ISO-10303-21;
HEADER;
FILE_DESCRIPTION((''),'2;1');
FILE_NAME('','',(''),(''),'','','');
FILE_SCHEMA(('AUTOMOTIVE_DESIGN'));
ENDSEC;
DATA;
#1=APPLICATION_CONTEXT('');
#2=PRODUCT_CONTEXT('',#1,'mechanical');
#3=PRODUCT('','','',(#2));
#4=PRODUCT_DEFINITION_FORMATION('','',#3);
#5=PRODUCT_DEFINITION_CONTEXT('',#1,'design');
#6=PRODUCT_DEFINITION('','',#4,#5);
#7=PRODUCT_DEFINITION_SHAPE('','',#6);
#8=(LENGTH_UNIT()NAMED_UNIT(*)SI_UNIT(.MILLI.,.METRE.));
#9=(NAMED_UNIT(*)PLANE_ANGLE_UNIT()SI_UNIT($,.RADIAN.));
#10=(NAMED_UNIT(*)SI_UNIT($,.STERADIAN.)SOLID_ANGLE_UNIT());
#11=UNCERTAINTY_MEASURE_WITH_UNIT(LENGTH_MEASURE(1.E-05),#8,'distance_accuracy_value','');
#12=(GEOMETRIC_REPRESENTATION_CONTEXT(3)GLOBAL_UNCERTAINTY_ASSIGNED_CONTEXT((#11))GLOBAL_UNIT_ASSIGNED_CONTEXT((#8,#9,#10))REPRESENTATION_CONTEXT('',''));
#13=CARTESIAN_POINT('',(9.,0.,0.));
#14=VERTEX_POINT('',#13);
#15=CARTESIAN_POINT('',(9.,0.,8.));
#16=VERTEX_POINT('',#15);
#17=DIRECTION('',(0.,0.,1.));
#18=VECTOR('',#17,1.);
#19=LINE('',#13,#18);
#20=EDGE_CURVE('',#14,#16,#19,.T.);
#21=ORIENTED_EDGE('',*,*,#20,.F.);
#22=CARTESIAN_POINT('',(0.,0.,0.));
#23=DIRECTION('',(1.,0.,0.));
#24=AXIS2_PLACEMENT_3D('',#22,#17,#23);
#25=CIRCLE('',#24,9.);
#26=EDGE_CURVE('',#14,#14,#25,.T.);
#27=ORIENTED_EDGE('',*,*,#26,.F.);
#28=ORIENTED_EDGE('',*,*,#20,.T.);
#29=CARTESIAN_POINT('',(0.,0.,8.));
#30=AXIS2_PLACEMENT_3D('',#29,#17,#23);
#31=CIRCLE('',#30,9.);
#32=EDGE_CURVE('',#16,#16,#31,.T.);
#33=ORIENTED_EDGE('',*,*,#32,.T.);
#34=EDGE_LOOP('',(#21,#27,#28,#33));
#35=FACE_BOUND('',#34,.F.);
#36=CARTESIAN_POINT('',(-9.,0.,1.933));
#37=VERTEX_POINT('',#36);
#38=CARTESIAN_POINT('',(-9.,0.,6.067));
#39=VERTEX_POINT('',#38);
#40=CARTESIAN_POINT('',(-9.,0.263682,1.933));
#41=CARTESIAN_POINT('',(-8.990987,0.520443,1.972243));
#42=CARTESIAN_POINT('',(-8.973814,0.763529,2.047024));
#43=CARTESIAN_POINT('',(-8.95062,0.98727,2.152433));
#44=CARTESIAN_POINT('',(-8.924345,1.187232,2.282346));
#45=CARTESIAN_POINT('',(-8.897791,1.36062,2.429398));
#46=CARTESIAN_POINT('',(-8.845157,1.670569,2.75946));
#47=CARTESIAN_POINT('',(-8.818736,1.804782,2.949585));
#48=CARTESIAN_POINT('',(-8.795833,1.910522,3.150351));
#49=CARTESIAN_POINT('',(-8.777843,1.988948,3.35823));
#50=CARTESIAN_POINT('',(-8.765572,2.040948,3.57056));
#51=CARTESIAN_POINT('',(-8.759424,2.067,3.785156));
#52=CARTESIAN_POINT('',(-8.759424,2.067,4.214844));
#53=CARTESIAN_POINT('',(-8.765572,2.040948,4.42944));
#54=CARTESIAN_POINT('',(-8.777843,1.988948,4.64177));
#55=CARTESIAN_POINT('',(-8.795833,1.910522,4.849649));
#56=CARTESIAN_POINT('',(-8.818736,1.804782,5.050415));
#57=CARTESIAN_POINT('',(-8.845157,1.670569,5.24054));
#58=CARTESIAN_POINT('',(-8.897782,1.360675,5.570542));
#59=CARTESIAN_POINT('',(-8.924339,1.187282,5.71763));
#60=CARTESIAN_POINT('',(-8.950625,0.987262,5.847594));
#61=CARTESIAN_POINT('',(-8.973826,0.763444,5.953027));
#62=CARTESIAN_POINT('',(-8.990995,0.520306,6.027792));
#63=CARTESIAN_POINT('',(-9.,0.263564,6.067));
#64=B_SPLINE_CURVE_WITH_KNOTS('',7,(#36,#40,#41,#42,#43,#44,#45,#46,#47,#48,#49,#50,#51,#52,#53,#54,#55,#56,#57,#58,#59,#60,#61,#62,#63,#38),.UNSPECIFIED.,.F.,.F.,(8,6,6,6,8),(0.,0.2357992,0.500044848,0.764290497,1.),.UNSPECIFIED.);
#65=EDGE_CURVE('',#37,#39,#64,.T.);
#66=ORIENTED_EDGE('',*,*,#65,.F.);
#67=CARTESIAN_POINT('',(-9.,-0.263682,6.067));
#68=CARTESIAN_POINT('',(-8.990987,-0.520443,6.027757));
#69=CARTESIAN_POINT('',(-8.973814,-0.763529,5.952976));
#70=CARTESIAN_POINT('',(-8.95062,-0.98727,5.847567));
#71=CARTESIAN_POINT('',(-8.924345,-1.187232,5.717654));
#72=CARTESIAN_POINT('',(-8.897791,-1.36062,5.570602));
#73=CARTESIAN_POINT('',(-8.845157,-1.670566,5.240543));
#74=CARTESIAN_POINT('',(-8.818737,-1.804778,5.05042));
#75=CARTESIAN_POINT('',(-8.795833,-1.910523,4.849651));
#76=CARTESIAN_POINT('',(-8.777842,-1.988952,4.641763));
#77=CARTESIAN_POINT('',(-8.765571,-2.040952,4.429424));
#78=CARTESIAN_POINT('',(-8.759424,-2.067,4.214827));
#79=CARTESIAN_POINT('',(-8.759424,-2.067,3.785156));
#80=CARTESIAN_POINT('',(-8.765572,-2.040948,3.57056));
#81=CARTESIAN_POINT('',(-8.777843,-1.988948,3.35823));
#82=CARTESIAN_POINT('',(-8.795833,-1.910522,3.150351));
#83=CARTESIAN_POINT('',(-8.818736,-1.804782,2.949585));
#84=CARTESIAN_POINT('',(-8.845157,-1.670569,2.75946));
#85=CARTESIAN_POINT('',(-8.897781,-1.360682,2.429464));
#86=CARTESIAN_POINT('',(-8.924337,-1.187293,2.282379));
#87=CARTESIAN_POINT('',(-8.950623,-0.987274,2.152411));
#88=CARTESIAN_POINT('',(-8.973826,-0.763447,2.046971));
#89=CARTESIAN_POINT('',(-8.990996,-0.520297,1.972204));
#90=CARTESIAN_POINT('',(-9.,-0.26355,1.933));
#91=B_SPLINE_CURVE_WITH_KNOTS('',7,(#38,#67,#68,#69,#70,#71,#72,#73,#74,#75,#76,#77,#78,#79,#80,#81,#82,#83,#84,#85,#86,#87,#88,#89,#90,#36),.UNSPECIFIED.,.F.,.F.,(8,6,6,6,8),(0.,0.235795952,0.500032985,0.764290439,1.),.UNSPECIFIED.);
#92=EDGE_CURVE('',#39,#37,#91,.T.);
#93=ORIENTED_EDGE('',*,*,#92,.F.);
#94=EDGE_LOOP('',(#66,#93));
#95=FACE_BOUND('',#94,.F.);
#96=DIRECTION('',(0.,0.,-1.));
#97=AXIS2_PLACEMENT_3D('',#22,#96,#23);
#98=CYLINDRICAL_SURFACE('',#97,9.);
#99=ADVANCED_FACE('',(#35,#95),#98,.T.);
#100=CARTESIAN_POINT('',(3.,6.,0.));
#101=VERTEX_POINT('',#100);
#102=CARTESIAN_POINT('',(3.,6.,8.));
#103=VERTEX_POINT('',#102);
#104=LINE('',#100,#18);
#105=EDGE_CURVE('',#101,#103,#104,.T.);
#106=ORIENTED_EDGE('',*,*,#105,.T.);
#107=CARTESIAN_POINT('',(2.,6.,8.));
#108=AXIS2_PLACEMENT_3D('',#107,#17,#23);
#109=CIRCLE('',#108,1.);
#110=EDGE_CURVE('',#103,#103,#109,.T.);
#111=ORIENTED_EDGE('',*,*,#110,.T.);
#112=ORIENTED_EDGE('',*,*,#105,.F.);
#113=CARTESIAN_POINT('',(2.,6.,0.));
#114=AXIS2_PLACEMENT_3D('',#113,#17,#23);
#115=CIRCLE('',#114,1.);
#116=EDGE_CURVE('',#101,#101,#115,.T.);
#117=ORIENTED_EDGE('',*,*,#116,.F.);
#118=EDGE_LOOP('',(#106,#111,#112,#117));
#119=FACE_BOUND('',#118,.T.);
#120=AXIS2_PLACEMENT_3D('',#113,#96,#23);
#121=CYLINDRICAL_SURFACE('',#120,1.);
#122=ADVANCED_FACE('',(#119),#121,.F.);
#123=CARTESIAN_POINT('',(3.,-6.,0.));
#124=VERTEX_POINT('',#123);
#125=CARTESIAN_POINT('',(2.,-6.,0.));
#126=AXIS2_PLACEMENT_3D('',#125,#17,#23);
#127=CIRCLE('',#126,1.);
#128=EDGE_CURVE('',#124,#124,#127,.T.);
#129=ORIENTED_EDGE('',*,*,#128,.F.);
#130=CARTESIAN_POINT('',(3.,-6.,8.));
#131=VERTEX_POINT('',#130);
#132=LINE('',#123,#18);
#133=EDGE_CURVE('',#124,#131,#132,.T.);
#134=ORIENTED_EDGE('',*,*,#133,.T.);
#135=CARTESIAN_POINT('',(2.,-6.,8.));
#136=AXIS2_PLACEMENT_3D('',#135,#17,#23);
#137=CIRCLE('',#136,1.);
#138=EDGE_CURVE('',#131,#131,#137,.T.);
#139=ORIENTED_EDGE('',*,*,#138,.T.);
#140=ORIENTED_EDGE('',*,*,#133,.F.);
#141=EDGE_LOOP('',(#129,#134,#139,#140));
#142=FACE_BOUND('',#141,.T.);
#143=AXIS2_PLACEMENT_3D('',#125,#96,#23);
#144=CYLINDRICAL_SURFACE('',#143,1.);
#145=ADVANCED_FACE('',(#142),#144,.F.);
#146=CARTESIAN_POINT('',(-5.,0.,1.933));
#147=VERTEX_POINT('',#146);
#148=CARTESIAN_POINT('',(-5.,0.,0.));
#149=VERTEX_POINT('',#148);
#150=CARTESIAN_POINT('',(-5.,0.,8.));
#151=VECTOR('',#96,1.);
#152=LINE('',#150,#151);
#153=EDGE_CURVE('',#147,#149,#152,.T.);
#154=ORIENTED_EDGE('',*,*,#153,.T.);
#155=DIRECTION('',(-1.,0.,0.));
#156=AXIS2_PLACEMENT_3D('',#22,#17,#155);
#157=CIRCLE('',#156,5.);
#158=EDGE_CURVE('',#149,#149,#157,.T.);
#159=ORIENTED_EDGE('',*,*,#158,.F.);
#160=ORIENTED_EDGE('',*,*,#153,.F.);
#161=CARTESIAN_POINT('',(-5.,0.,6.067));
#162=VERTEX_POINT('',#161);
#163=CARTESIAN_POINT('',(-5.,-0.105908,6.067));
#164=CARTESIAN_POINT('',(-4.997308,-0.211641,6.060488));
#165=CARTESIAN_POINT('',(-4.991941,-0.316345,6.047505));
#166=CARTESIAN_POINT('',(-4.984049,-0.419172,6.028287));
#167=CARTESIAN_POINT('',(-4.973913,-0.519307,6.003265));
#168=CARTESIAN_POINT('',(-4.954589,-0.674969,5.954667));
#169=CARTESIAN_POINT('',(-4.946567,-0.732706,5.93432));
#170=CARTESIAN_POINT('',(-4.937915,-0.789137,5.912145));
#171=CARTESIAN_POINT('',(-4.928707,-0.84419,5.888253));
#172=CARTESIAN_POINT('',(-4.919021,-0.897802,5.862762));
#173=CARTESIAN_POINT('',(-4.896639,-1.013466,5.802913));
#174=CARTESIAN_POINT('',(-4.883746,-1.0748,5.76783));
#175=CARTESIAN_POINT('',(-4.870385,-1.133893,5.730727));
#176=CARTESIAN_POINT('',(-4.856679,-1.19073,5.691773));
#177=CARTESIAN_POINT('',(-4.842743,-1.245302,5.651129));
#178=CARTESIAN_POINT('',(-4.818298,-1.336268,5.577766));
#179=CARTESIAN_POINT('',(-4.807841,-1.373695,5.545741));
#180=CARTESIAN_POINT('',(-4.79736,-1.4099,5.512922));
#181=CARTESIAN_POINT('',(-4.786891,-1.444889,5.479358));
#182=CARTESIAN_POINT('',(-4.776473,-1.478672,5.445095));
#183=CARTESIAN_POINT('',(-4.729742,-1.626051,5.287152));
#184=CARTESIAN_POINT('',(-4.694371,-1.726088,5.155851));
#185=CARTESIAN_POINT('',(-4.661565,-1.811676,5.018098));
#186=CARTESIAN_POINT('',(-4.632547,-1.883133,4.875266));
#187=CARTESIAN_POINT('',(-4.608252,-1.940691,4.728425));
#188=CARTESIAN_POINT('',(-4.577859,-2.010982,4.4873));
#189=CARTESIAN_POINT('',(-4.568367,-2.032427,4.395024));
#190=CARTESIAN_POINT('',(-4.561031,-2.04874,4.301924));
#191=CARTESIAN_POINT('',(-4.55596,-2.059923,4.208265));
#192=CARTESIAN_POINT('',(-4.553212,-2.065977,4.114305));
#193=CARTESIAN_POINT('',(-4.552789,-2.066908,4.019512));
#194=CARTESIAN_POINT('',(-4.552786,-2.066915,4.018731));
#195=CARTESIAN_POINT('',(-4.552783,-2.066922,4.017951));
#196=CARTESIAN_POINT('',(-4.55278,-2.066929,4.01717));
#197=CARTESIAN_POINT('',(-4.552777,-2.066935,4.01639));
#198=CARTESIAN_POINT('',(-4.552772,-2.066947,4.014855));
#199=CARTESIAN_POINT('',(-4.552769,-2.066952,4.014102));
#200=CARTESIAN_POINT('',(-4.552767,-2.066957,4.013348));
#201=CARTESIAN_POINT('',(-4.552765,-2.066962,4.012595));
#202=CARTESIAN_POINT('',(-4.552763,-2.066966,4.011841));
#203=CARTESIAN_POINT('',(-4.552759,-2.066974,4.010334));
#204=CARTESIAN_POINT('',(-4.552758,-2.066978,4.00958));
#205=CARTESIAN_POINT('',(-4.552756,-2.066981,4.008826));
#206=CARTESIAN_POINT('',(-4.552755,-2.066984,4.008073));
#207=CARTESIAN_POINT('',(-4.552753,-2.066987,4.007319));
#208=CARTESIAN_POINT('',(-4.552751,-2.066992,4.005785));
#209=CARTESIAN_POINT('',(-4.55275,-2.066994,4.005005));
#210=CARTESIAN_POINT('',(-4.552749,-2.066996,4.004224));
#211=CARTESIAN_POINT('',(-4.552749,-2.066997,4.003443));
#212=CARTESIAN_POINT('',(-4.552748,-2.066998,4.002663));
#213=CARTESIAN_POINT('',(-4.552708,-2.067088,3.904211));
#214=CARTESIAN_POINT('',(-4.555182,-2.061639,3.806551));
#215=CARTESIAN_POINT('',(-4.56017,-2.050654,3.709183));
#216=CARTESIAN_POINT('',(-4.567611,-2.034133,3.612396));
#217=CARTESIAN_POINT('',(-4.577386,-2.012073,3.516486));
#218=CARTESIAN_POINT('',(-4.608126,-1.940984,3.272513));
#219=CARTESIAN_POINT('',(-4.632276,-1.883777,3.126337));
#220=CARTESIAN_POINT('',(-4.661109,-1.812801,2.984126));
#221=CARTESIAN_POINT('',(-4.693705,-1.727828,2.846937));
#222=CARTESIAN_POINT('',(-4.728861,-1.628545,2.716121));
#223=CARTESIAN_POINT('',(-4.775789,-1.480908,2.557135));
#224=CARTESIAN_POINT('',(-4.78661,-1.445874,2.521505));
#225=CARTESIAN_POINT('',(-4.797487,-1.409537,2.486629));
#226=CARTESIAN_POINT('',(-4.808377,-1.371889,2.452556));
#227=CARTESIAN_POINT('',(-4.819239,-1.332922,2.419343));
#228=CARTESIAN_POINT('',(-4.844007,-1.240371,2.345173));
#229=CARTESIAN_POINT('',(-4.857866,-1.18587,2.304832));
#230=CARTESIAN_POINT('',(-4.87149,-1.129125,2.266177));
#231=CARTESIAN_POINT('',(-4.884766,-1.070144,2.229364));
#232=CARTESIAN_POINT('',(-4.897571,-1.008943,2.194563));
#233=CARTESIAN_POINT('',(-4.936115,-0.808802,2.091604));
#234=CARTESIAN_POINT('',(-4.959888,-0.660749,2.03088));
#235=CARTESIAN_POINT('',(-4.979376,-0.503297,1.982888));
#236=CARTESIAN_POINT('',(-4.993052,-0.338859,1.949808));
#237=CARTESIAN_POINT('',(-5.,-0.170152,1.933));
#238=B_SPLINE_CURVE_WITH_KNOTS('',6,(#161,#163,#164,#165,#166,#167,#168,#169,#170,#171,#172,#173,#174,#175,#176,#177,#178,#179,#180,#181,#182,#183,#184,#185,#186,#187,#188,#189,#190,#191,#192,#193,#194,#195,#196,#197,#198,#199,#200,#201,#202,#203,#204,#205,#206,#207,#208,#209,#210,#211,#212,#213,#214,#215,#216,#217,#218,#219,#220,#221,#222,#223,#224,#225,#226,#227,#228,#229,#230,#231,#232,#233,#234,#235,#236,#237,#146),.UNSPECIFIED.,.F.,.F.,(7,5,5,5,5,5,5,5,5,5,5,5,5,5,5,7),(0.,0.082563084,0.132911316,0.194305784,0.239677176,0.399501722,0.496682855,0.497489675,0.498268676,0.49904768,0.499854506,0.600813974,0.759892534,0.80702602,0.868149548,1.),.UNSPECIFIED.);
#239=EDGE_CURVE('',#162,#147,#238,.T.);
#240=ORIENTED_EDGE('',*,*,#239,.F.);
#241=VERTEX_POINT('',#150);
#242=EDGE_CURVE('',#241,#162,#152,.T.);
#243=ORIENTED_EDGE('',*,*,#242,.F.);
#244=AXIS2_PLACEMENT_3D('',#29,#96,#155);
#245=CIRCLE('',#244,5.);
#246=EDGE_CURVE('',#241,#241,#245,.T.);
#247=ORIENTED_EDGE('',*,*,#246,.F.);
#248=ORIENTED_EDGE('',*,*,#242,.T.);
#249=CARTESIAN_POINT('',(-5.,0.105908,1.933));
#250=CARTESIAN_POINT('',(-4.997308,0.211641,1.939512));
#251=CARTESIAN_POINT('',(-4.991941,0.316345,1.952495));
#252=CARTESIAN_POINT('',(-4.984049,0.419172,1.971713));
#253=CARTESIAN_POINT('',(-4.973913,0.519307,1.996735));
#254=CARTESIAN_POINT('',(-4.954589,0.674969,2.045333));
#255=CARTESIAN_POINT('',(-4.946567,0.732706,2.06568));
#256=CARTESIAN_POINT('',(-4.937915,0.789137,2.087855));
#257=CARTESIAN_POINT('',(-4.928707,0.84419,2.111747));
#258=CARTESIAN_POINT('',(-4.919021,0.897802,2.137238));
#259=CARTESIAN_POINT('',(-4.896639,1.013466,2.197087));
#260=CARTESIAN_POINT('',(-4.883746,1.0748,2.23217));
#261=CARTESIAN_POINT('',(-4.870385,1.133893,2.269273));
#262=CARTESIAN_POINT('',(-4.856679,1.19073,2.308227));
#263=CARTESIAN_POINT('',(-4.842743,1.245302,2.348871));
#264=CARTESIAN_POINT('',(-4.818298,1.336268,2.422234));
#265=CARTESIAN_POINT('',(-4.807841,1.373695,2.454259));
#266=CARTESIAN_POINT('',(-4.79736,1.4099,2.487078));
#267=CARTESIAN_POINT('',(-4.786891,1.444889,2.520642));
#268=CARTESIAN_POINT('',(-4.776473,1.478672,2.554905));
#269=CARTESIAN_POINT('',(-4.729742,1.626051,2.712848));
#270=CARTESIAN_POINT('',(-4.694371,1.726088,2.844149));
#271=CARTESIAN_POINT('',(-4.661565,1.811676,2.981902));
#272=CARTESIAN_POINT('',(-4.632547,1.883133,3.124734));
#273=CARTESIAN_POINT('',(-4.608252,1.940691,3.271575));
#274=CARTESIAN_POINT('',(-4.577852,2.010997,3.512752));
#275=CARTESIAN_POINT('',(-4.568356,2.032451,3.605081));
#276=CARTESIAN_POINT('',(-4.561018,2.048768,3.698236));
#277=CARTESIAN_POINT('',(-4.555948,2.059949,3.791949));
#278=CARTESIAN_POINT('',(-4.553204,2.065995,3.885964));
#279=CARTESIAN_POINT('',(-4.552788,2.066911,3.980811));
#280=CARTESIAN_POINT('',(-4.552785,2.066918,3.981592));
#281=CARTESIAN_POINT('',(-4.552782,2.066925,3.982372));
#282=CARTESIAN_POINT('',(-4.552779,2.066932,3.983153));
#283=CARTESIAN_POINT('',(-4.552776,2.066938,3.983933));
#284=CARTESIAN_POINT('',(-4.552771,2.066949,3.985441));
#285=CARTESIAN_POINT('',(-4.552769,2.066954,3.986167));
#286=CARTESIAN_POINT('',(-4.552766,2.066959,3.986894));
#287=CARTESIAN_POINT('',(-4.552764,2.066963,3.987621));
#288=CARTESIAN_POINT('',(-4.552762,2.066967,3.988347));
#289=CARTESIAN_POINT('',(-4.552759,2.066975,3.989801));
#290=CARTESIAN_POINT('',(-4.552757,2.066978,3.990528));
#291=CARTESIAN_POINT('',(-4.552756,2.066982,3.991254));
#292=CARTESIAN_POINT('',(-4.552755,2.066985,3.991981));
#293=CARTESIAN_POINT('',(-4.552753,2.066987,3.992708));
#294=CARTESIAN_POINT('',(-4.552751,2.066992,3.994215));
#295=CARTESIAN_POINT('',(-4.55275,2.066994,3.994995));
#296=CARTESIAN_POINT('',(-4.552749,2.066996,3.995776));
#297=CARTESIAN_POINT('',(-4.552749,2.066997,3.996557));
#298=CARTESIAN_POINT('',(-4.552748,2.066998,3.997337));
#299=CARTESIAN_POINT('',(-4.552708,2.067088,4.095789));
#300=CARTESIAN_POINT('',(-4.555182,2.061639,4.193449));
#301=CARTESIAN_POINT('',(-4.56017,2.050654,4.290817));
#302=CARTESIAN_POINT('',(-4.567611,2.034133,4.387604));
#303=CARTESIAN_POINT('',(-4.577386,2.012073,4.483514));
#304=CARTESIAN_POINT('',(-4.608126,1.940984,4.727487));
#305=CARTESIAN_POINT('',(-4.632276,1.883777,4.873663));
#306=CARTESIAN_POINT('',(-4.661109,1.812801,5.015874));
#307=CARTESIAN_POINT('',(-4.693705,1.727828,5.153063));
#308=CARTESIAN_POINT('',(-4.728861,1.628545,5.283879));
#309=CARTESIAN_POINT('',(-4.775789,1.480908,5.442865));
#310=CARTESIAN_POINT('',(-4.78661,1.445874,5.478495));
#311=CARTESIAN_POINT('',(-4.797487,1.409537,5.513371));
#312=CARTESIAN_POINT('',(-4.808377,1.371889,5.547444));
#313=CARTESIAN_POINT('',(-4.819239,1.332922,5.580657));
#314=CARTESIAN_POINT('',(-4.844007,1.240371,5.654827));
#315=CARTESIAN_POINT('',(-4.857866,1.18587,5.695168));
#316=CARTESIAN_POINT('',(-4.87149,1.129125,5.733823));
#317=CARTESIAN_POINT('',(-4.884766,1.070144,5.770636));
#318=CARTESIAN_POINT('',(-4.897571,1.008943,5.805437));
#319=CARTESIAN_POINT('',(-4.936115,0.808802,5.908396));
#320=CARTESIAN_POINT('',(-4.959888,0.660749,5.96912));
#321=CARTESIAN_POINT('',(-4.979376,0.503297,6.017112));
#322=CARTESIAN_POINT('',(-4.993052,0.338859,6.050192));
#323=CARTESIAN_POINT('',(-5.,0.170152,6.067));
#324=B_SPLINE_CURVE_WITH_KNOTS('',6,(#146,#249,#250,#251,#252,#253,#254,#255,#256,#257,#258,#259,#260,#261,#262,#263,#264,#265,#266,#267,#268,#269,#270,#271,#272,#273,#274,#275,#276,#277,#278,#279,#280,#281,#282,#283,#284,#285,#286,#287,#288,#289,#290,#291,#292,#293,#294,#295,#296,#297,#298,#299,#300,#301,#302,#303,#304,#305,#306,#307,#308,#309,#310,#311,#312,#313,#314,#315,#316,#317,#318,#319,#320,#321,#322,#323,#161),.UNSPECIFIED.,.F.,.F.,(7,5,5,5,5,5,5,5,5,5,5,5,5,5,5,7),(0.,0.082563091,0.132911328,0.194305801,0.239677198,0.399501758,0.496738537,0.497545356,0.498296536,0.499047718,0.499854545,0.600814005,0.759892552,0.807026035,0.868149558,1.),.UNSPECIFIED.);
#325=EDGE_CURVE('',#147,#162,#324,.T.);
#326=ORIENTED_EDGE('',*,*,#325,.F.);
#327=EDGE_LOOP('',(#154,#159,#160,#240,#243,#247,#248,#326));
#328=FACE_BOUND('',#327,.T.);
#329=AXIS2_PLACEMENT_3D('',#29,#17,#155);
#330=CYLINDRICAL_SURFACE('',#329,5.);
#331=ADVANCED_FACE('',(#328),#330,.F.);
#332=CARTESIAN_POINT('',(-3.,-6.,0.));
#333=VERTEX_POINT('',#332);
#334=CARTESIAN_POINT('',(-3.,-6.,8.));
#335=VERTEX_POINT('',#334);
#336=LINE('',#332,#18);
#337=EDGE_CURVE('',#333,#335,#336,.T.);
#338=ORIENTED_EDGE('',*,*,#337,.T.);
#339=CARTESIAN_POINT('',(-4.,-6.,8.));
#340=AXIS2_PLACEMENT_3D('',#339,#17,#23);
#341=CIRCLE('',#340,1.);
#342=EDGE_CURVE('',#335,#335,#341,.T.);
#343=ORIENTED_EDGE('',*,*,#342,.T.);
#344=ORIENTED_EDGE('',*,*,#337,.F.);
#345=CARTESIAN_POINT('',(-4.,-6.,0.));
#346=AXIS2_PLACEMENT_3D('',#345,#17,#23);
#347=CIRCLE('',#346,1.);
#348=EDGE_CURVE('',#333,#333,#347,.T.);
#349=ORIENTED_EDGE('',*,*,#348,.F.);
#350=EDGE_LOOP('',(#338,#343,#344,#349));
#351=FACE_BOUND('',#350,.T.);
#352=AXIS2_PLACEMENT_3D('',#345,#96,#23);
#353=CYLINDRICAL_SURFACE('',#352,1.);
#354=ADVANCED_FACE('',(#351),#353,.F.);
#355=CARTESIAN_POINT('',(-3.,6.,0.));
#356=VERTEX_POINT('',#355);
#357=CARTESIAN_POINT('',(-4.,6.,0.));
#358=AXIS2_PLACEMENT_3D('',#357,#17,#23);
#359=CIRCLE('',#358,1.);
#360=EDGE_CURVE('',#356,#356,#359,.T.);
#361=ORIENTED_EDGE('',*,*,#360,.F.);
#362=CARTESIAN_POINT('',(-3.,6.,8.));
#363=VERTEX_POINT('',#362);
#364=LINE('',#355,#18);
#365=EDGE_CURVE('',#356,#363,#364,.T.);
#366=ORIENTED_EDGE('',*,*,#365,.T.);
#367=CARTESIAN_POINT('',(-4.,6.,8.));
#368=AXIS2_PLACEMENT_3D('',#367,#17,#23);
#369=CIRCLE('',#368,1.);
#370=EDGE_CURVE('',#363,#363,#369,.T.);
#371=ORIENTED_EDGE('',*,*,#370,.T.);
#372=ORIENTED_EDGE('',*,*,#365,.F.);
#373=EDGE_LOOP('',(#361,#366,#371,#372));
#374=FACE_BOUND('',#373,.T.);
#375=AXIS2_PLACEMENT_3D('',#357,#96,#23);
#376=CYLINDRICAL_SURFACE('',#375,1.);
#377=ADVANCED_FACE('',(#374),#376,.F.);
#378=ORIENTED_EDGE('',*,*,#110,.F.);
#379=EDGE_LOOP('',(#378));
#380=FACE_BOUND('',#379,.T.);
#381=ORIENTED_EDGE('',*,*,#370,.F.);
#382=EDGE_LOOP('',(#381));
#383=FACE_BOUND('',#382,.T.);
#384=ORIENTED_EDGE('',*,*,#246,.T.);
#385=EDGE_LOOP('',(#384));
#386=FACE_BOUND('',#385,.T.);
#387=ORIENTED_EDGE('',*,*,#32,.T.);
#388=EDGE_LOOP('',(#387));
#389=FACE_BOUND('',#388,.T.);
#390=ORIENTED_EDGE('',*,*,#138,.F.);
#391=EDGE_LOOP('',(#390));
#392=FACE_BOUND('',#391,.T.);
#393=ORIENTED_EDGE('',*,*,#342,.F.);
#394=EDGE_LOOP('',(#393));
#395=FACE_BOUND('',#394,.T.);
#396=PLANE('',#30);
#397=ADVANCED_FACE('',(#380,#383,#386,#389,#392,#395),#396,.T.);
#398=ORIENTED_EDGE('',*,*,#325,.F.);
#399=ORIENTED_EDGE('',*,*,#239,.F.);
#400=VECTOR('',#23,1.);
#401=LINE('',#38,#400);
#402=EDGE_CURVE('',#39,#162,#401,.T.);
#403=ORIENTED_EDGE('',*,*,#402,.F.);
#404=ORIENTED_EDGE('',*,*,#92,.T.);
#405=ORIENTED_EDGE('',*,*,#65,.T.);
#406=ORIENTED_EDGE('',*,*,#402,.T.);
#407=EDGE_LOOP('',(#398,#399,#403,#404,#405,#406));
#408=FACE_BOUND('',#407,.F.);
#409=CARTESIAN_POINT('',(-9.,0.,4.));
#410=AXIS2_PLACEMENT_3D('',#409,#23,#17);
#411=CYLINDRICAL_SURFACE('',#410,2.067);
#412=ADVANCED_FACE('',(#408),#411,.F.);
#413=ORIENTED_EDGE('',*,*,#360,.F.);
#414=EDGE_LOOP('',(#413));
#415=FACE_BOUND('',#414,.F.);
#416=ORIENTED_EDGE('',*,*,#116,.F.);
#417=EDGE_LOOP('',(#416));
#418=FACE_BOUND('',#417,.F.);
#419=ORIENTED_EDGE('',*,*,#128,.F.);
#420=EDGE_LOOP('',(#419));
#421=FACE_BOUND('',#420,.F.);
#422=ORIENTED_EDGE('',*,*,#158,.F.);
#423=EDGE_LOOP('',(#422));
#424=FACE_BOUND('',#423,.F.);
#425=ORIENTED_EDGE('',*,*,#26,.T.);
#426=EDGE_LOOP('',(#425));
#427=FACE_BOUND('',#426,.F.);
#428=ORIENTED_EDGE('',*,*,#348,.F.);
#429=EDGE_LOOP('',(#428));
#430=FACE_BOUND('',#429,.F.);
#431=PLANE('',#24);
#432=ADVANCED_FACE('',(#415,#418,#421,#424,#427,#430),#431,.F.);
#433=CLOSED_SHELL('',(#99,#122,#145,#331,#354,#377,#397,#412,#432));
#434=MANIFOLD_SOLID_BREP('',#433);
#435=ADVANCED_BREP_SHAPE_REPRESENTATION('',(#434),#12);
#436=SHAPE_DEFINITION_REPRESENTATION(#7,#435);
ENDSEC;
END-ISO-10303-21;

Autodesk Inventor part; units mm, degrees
ref_plane "XZ Plane" through (0, 0, 0) normal (0, 1, 0) x (-1, 0, 0)
ref_plane "XY Plane" through (0, 0, 0) normal (0, 0, 1) x (1, 0, 0)
sketch "Sketch1" plane through (0, 0, 0) normal (0, 0, 1) x (1, 0, 0)
  circle A0 centre (0, 0) radius 9
  circle A1 centre (-4, 6) radius 1
  circle A2 centre (2, 6) radius 1
  circle A3 centre (2, -6) radius 1
  circle A4 centre (-4, -6) radius 1
  dimension "d0" = 18
  dimension "d2" = 2
  dimension "d3" = 12
  dimension "d4" = 6
  dimension "d6" = 4
  dimension "d7" = 6
  dimension "d8" = 2
  dimension "d15" = 2
extrude "Extrusion1" add sketch "Sketch1" along normal blind 8
sketch "Sketch2" plane through (0, 0, 8) normal (0, 0, -1) x (-1, 0, 0)
  circle A0 centre (0, 0) radius 5
  circle A1 centre (-2, 6) radius 1 projected
  dimension "d11" = 10
extrude "Extrusion2" cut sketch "Sketch2" along normal blind 18 contours A0
ref_plane "Work Plane1" through (-9, 0, 0) normal (1, 0, 0) x (0, 1, 0)
sketch "Sketch3" plane through (-9, 0, 0) normal (1, 0, 0) x (0, 1, 0)
  line L0 (9, 8) -> (-9, 8) projected
  line L1 (9, 0) -> (-9, 0) projected
  line L2 (9, 0) -> (9, 8) projected
  point P0 (0, 0)
  point P1 (0, 4)
  point P2 (9, 4)
  point P3 (0, 0)
hole "Hole1" at (-9, 0, 4) direction (1, 0, 0) diameter 4.134 depth 4.5 thread size "M5x0.8" class "6H" standard "ISO Metric profile"
equation "\"d4\" = 0.5 * d3"
properties part number "13"
